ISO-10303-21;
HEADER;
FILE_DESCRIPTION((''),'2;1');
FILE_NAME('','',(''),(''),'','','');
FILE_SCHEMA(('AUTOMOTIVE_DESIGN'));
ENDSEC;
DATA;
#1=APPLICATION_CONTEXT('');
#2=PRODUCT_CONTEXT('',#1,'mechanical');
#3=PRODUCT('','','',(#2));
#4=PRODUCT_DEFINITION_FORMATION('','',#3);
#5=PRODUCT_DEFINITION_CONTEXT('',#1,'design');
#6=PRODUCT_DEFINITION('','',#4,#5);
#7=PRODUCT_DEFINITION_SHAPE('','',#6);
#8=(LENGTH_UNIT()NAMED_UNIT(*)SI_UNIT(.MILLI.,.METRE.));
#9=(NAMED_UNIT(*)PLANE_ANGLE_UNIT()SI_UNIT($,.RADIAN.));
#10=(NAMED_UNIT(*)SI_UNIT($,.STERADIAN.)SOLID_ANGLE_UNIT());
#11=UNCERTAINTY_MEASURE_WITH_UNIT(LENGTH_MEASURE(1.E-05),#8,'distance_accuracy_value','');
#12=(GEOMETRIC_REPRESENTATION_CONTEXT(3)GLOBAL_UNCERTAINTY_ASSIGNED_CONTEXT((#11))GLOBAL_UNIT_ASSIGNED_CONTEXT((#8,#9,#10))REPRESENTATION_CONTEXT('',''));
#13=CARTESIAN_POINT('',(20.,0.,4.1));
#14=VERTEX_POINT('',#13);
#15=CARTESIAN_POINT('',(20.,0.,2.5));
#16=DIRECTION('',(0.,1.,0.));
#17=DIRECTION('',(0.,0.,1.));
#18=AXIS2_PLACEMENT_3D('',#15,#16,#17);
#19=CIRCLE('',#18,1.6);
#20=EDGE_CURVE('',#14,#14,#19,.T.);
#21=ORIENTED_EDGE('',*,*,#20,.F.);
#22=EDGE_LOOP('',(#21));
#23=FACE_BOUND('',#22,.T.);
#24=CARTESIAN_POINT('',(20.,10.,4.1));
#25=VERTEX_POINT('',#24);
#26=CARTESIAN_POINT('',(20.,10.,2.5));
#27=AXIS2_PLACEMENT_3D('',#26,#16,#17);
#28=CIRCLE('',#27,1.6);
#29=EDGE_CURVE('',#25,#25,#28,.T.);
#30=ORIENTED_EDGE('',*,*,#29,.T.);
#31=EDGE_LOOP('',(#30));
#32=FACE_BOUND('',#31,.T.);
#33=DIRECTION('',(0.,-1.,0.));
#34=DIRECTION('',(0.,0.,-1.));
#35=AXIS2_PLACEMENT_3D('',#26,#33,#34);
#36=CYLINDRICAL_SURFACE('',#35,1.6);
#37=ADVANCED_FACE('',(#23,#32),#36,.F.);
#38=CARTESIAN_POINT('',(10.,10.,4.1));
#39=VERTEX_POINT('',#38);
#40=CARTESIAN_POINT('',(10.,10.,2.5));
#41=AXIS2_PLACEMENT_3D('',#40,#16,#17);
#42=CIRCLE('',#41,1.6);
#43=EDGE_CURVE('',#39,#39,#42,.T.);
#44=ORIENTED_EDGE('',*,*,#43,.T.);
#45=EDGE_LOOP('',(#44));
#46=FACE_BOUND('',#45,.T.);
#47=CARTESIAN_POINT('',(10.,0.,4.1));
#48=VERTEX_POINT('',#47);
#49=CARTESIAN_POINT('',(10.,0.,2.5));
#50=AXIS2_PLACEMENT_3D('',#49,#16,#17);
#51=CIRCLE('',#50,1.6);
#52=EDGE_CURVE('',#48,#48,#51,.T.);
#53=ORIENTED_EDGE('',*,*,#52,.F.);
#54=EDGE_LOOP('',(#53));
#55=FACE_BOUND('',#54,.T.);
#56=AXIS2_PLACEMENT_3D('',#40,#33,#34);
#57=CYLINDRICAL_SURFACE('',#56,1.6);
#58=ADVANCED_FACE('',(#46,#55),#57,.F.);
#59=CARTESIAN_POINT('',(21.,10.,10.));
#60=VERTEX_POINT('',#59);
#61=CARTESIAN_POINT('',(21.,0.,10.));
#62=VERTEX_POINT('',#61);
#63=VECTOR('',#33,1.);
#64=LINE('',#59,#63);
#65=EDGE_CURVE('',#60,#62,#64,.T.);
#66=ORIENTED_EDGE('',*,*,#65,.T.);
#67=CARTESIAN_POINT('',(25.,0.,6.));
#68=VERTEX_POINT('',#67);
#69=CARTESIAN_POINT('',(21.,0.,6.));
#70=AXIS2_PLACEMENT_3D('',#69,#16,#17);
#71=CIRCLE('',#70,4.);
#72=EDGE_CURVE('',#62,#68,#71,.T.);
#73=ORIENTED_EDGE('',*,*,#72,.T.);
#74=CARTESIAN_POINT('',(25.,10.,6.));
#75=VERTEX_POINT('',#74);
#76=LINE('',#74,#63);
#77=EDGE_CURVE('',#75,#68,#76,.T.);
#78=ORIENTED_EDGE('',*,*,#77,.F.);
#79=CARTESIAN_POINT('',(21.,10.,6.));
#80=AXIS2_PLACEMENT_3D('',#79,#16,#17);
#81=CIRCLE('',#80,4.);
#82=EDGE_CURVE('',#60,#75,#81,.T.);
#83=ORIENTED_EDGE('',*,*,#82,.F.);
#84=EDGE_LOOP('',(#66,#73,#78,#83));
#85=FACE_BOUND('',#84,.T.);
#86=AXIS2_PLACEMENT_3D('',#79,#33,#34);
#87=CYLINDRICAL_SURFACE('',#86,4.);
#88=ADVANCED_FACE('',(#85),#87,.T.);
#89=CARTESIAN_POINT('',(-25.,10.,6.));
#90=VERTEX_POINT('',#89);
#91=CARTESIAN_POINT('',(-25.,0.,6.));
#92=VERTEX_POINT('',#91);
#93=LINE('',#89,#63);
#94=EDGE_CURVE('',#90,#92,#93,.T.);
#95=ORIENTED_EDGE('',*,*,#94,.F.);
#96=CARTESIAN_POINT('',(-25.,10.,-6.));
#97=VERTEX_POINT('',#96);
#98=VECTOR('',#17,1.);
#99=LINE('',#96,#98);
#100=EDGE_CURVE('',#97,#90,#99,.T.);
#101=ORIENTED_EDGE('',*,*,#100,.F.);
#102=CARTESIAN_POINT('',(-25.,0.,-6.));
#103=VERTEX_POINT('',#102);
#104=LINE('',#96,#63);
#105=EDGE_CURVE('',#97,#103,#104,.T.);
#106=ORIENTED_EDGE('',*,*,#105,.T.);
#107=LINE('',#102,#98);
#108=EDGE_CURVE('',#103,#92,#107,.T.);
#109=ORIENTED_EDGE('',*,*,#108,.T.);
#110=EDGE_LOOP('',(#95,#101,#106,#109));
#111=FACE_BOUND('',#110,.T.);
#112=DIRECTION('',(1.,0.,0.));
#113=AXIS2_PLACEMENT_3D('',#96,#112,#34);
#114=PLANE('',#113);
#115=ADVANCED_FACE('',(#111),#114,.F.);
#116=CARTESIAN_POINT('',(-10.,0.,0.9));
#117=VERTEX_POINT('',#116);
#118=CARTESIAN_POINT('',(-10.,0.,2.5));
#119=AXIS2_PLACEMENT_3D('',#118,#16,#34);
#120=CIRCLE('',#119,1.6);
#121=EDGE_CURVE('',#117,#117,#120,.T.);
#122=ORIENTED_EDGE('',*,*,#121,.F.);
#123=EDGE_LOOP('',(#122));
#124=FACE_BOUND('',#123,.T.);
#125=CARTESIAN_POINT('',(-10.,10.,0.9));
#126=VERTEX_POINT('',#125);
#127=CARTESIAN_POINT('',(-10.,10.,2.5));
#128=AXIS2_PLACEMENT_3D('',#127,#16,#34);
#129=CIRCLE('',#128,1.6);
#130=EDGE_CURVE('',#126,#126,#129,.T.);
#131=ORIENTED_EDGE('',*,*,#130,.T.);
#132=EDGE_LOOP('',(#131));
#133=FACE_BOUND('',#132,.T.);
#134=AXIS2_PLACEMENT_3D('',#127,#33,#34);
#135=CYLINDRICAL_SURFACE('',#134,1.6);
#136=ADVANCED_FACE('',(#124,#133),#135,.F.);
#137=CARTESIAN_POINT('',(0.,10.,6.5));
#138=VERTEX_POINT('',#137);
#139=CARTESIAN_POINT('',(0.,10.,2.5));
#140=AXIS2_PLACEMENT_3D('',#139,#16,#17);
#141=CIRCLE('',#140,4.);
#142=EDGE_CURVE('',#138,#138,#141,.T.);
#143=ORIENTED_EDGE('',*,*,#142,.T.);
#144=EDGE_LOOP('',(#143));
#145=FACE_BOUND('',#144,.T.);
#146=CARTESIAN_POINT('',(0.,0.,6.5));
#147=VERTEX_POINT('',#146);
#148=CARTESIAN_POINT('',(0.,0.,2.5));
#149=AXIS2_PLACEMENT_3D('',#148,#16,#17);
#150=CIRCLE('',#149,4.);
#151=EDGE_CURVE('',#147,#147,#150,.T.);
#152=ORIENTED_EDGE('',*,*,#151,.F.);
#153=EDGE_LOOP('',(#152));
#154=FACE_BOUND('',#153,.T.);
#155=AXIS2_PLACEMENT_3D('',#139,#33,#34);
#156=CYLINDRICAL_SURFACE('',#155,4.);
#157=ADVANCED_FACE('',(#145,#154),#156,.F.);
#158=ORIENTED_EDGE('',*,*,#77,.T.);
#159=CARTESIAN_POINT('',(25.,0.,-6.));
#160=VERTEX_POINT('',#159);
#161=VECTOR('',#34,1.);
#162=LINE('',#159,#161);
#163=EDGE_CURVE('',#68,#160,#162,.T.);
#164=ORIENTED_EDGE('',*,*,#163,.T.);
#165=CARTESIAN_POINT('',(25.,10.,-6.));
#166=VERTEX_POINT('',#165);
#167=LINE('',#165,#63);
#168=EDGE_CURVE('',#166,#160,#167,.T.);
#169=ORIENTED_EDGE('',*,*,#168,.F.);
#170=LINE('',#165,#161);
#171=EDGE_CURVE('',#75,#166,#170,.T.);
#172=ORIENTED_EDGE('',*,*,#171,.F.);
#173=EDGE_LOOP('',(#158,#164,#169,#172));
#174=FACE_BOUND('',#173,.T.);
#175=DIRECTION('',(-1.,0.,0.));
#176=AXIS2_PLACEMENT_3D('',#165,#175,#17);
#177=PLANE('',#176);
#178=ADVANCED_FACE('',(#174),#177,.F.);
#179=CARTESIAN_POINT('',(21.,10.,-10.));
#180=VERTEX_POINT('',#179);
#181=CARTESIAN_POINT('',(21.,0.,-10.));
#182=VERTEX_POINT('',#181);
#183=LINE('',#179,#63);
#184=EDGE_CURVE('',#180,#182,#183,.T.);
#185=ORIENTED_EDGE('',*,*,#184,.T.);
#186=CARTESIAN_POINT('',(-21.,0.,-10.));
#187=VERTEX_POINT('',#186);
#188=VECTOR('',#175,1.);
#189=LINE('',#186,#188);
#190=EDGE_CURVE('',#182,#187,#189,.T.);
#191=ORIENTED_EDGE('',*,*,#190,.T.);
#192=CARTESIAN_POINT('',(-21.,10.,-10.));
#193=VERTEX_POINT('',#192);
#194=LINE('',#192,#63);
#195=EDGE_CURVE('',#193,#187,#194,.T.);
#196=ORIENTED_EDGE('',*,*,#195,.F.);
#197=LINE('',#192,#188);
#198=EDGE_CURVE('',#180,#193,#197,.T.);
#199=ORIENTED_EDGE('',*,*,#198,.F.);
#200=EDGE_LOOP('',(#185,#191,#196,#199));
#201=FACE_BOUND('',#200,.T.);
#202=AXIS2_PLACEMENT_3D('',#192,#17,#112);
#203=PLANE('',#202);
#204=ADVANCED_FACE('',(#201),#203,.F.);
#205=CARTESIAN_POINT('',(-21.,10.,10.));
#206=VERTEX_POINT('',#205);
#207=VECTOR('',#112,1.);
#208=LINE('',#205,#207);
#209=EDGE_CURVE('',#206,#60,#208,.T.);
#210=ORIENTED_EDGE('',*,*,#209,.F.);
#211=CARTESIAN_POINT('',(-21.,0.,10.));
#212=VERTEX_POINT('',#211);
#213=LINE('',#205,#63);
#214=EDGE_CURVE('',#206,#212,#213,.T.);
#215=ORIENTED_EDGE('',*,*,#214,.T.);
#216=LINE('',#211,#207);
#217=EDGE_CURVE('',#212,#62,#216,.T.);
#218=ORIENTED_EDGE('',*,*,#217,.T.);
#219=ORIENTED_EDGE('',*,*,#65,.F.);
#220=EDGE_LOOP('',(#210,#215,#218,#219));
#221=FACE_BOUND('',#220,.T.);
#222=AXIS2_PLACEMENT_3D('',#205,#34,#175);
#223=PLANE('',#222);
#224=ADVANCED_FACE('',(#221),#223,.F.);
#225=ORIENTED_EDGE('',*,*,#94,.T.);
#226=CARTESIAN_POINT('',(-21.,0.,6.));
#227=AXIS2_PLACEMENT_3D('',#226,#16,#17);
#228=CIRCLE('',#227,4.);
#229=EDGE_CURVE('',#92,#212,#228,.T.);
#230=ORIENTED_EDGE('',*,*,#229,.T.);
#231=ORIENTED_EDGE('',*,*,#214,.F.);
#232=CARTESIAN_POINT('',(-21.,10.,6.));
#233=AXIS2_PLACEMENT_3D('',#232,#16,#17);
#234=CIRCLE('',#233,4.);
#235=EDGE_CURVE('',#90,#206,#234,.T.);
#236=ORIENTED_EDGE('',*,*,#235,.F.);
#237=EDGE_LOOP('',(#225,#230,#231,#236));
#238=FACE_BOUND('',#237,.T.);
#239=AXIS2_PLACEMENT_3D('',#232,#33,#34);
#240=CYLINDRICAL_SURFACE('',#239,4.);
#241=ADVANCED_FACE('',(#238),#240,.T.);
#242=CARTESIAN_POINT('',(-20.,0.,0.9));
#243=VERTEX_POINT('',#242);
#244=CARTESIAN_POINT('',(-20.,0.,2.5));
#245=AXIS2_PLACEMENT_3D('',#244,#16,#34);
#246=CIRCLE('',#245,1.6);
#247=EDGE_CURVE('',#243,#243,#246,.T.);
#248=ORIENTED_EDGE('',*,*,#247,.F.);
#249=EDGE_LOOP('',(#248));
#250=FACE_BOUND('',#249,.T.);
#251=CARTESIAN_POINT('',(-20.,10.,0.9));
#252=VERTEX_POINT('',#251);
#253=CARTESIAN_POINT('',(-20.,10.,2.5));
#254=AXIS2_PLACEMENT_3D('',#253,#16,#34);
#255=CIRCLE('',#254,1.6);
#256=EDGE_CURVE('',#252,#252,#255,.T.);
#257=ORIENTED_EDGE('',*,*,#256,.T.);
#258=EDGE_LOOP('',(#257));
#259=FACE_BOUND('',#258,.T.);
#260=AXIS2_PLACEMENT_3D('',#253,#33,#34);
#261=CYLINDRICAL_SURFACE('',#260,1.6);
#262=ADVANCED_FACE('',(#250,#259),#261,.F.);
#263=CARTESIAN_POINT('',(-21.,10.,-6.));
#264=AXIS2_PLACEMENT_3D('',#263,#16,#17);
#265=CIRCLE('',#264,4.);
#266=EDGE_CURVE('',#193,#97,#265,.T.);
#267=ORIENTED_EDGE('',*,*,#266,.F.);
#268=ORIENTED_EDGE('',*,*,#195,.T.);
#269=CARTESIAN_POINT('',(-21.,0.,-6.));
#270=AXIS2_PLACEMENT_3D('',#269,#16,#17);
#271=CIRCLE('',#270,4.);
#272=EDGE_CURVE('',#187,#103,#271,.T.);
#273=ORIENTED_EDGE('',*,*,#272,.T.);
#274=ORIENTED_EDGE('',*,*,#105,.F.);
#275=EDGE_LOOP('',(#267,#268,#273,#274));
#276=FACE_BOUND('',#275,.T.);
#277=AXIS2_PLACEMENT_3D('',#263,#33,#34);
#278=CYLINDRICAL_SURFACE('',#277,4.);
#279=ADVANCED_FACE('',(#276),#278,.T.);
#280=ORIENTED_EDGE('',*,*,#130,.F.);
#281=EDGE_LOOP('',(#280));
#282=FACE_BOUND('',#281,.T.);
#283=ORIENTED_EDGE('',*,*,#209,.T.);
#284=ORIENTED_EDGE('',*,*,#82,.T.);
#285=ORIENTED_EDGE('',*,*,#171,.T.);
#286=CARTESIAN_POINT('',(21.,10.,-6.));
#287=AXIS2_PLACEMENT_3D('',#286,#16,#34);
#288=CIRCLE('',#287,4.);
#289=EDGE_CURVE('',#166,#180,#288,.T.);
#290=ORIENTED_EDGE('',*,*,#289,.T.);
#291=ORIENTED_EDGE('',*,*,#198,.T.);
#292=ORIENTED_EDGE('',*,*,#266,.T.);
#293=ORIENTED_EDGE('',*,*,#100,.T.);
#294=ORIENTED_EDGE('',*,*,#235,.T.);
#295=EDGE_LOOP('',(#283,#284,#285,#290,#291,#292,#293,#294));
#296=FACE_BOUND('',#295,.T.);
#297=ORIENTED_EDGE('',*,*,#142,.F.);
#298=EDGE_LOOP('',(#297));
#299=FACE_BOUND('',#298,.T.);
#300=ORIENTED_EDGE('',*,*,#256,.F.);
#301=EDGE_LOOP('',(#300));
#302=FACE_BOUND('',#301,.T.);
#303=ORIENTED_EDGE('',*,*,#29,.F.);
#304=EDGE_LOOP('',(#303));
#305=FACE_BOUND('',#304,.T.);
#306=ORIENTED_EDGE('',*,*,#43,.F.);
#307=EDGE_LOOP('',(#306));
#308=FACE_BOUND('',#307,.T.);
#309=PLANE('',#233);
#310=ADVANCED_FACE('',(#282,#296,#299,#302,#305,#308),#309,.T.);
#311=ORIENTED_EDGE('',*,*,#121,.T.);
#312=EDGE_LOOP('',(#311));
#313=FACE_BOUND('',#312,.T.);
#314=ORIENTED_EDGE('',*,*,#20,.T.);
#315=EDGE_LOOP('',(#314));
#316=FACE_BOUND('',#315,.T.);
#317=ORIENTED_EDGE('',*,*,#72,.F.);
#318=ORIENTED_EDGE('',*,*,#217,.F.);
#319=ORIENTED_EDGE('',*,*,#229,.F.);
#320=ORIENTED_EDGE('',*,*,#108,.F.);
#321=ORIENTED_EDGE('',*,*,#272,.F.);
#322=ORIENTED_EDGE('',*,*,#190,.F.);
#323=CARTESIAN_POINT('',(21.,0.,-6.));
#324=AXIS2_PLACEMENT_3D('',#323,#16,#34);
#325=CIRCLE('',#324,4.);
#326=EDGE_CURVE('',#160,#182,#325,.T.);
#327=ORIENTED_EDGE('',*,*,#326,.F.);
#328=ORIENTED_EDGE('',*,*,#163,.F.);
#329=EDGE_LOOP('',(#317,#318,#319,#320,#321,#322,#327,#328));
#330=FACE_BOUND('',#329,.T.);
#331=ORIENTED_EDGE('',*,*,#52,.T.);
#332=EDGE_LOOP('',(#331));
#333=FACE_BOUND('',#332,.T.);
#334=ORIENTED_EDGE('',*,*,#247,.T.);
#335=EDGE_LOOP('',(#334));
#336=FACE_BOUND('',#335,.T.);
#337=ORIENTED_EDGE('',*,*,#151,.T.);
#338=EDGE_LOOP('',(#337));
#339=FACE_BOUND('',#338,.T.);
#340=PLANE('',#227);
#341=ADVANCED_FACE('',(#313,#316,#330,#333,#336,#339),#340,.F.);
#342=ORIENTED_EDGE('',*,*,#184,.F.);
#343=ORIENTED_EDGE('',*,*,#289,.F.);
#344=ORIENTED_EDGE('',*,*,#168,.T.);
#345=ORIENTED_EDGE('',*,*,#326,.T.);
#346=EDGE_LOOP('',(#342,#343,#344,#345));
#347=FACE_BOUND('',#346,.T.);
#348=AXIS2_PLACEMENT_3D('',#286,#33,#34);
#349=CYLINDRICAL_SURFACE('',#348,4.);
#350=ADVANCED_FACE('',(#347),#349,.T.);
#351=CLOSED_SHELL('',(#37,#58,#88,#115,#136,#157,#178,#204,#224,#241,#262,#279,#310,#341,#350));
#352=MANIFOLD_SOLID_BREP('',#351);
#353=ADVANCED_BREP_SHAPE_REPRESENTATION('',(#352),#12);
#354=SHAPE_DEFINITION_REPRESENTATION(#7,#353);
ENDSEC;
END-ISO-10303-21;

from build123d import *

# Parameters (mm, degrees)
SKETCH1_R           = 4
SKETCH1_R_2         = 1.6
BOSS_EXTRUDE1_DEPTH = 10


with BuildPart() as part:
    # Sketch1 → Boss-Extrude1 (new body)
    with BuildSketch(Plane(origin=(0, 0, 0), x_dir=(1, 0, 0), z_dir=(0, 1, 0))):
        with BuildLine():
            Line((-21, 10), (21, 10))
            ThreePointArc((21, 10), (23.828427125, 8.828427125), (25, 6))
            Line((25, 6), (25, -6))
            ThreePointArc((25, -6), (23.828427125, -8.828427125), (21, -10))
            Line((21, -10), (-21, -10))
            ThreePointArc((-21, -10), (-23.828427125, -8.828427125), (-25, -6))
            Line((-25, -6), (-25, 6))
            ThreePointArc((-25, 6), (-23.828427125, 8.828427125), (-21, 10))
        make_face()
        with Locations(Location((0, -2.5, 0), (0, 0, 270))):
            Circle(SKETCH1_R, mode=Mode.SUBTRACT)
        with Locations(Location((10, -2.5, 0), (0, 0, 270))):
            Circle(SKETCH1_R_2, mode=Mode.SUBTRACT)
        with Locations(Location((20, -2.5, 0), (0, 0, 270))):
            Circle(SKETCH1_R_2, mode=Mode.SUBTRACT)
        with Locations(Location((-20, -2.5, 0), (0, 0, 90))):
            Circle(SKETCH1_R_2, mode=Mode.SUBTRACT)
        with Locations(Location((-10, -2.5, 0), (0, 0, 90))):
            Circle(SKETCH1_R_2, mode=Mode.SUBTRACT)
    extrude(amount=BOSS_EXTRUDE1_DEPTH)


solid = part.part
